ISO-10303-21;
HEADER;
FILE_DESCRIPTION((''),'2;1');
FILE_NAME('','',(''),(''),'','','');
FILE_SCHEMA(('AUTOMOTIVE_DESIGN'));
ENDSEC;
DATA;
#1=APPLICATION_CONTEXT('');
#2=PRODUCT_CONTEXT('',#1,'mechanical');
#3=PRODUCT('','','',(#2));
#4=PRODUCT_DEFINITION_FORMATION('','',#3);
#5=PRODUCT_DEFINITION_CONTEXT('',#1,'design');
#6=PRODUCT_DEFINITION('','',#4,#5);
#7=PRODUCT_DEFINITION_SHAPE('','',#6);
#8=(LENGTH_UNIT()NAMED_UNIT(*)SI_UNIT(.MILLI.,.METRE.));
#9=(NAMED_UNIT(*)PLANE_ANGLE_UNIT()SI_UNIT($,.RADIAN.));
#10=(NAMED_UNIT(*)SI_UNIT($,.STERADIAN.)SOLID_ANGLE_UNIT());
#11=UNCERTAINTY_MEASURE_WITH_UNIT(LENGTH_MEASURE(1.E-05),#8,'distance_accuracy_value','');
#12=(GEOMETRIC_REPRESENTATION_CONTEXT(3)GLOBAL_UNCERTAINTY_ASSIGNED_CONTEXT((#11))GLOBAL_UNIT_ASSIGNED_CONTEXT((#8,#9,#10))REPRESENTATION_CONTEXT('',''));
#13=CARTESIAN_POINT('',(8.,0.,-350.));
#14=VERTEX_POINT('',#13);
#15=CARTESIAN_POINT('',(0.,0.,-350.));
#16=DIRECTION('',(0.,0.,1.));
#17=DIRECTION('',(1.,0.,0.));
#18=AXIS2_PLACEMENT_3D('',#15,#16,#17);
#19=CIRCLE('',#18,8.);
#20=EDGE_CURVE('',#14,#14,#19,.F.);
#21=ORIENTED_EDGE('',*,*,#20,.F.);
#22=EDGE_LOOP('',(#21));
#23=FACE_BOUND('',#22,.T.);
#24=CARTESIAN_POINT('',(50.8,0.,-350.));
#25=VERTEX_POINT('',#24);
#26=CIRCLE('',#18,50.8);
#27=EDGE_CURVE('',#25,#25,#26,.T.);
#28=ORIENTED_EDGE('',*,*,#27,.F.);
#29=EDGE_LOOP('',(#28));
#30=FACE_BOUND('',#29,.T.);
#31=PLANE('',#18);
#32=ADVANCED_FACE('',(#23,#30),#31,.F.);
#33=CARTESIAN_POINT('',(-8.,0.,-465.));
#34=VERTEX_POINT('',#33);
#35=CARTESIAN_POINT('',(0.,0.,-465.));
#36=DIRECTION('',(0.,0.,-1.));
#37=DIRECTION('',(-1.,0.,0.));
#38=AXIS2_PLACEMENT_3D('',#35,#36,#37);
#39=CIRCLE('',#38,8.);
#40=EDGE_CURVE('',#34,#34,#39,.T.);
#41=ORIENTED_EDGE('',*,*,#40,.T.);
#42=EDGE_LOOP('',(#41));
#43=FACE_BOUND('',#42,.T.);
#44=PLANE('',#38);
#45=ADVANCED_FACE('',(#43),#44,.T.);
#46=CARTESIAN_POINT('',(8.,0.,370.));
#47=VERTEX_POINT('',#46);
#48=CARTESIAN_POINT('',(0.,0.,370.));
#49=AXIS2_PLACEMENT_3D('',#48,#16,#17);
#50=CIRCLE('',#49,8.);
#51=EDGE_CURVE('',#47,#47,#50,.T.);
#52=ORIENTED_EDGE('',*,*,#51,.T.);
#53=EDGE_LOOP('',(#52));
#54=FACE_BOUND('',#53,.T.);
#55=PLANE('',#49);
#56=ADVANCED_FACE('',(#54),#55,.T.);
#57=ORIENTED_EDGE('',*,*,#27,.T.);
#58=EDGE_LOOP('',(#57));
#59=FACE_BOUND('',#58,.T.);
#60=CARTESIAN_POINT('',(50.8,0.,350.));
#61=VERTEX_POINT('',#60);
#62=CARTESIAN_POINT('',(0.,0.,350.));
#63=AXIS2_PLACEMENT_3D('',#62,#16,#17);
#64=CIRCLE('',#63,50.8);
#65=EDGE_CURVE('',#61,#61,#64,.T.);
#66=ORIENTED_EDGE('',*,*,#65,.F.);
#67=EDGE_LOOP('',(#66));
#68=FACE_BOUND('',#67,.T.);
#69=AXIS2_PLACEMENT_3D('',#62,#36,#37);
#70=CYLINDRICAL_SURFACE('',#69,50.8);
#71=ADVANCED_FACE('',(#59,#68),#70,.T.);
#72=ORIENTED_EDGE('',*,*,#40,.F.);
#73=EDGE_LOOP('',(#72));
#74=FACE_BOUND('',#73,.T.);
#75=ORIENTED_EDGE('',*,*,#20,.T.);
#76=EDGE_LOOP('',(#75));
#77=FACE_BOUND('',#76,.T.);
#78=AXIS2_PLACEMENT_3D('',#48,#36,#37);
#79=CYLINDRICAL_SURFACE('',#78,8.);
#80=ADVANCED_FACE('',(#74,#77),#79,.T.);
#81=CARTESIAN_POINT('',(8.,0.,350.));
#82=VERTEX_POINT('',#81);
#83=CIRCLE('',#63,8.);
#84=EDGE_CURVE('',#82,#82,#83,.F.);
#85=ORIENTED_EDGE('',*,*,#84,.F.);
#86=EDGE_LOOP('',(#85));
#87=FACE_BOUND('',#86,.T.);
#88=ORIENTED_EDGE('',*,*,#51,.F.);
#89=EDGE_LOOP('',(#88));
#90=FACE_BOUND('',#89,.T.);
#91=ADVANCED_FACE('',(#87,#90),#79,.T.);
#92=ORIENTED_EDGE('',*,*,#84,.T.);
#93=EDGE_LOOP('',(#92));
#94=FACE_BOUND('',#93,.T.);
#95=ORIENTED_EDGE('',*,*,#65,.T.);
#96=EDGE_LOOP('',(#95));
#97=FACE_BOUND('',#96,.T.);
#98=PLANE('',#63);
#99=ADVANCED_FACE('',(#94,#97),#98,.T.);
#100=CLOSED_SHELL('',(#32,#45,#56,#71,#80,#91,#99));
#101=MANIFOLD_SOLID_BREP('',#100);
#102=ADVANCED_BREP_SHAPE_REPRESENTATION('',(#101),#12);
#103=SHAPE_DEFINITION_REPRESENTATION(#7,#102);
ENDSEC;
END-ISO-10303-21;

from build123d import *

# Parameters (mm, degrees)
SKETCH1_R           = 50.8
BOSS_EXTRUDE1_DEPTH = 350
SKETCH2_R           = 8
BOSS_EXTRUDE2_DEPTH = 370
SKETCH3_R           = 8
BOSS_EXTRUDE3_DEPTH = 95


with BuildPart() as part:
    # Sketch1 → Boss-Extrude1 (new, symmetric)
    with BuildSketch(Plane.XY):
        Circle(SKETCH1_R)
    extrude(amount=BOSS_EXTRUDE1_DEPTH, both=True)

    # Sketch2 → Boss-Extrude2 (add, symmetric)
    with BuildSketch(Plane.XY):
        Circle(SKETCH2_R)
    extrude(amount=BOSS_EXTRUDE2_DEPTH, both=True)

    # Sketch3 → Boss-Extrude3 (add)
    with BuildSketch(Plane(origin=(0, 0, -370), x_dir=(-1, 0, 0), z_dir=(0, 0, -1))):
        Circle(SKETCH3_R)
    extrude(amount=BOSS_EXTRUDE3_DEPTH)


solid = part.part
